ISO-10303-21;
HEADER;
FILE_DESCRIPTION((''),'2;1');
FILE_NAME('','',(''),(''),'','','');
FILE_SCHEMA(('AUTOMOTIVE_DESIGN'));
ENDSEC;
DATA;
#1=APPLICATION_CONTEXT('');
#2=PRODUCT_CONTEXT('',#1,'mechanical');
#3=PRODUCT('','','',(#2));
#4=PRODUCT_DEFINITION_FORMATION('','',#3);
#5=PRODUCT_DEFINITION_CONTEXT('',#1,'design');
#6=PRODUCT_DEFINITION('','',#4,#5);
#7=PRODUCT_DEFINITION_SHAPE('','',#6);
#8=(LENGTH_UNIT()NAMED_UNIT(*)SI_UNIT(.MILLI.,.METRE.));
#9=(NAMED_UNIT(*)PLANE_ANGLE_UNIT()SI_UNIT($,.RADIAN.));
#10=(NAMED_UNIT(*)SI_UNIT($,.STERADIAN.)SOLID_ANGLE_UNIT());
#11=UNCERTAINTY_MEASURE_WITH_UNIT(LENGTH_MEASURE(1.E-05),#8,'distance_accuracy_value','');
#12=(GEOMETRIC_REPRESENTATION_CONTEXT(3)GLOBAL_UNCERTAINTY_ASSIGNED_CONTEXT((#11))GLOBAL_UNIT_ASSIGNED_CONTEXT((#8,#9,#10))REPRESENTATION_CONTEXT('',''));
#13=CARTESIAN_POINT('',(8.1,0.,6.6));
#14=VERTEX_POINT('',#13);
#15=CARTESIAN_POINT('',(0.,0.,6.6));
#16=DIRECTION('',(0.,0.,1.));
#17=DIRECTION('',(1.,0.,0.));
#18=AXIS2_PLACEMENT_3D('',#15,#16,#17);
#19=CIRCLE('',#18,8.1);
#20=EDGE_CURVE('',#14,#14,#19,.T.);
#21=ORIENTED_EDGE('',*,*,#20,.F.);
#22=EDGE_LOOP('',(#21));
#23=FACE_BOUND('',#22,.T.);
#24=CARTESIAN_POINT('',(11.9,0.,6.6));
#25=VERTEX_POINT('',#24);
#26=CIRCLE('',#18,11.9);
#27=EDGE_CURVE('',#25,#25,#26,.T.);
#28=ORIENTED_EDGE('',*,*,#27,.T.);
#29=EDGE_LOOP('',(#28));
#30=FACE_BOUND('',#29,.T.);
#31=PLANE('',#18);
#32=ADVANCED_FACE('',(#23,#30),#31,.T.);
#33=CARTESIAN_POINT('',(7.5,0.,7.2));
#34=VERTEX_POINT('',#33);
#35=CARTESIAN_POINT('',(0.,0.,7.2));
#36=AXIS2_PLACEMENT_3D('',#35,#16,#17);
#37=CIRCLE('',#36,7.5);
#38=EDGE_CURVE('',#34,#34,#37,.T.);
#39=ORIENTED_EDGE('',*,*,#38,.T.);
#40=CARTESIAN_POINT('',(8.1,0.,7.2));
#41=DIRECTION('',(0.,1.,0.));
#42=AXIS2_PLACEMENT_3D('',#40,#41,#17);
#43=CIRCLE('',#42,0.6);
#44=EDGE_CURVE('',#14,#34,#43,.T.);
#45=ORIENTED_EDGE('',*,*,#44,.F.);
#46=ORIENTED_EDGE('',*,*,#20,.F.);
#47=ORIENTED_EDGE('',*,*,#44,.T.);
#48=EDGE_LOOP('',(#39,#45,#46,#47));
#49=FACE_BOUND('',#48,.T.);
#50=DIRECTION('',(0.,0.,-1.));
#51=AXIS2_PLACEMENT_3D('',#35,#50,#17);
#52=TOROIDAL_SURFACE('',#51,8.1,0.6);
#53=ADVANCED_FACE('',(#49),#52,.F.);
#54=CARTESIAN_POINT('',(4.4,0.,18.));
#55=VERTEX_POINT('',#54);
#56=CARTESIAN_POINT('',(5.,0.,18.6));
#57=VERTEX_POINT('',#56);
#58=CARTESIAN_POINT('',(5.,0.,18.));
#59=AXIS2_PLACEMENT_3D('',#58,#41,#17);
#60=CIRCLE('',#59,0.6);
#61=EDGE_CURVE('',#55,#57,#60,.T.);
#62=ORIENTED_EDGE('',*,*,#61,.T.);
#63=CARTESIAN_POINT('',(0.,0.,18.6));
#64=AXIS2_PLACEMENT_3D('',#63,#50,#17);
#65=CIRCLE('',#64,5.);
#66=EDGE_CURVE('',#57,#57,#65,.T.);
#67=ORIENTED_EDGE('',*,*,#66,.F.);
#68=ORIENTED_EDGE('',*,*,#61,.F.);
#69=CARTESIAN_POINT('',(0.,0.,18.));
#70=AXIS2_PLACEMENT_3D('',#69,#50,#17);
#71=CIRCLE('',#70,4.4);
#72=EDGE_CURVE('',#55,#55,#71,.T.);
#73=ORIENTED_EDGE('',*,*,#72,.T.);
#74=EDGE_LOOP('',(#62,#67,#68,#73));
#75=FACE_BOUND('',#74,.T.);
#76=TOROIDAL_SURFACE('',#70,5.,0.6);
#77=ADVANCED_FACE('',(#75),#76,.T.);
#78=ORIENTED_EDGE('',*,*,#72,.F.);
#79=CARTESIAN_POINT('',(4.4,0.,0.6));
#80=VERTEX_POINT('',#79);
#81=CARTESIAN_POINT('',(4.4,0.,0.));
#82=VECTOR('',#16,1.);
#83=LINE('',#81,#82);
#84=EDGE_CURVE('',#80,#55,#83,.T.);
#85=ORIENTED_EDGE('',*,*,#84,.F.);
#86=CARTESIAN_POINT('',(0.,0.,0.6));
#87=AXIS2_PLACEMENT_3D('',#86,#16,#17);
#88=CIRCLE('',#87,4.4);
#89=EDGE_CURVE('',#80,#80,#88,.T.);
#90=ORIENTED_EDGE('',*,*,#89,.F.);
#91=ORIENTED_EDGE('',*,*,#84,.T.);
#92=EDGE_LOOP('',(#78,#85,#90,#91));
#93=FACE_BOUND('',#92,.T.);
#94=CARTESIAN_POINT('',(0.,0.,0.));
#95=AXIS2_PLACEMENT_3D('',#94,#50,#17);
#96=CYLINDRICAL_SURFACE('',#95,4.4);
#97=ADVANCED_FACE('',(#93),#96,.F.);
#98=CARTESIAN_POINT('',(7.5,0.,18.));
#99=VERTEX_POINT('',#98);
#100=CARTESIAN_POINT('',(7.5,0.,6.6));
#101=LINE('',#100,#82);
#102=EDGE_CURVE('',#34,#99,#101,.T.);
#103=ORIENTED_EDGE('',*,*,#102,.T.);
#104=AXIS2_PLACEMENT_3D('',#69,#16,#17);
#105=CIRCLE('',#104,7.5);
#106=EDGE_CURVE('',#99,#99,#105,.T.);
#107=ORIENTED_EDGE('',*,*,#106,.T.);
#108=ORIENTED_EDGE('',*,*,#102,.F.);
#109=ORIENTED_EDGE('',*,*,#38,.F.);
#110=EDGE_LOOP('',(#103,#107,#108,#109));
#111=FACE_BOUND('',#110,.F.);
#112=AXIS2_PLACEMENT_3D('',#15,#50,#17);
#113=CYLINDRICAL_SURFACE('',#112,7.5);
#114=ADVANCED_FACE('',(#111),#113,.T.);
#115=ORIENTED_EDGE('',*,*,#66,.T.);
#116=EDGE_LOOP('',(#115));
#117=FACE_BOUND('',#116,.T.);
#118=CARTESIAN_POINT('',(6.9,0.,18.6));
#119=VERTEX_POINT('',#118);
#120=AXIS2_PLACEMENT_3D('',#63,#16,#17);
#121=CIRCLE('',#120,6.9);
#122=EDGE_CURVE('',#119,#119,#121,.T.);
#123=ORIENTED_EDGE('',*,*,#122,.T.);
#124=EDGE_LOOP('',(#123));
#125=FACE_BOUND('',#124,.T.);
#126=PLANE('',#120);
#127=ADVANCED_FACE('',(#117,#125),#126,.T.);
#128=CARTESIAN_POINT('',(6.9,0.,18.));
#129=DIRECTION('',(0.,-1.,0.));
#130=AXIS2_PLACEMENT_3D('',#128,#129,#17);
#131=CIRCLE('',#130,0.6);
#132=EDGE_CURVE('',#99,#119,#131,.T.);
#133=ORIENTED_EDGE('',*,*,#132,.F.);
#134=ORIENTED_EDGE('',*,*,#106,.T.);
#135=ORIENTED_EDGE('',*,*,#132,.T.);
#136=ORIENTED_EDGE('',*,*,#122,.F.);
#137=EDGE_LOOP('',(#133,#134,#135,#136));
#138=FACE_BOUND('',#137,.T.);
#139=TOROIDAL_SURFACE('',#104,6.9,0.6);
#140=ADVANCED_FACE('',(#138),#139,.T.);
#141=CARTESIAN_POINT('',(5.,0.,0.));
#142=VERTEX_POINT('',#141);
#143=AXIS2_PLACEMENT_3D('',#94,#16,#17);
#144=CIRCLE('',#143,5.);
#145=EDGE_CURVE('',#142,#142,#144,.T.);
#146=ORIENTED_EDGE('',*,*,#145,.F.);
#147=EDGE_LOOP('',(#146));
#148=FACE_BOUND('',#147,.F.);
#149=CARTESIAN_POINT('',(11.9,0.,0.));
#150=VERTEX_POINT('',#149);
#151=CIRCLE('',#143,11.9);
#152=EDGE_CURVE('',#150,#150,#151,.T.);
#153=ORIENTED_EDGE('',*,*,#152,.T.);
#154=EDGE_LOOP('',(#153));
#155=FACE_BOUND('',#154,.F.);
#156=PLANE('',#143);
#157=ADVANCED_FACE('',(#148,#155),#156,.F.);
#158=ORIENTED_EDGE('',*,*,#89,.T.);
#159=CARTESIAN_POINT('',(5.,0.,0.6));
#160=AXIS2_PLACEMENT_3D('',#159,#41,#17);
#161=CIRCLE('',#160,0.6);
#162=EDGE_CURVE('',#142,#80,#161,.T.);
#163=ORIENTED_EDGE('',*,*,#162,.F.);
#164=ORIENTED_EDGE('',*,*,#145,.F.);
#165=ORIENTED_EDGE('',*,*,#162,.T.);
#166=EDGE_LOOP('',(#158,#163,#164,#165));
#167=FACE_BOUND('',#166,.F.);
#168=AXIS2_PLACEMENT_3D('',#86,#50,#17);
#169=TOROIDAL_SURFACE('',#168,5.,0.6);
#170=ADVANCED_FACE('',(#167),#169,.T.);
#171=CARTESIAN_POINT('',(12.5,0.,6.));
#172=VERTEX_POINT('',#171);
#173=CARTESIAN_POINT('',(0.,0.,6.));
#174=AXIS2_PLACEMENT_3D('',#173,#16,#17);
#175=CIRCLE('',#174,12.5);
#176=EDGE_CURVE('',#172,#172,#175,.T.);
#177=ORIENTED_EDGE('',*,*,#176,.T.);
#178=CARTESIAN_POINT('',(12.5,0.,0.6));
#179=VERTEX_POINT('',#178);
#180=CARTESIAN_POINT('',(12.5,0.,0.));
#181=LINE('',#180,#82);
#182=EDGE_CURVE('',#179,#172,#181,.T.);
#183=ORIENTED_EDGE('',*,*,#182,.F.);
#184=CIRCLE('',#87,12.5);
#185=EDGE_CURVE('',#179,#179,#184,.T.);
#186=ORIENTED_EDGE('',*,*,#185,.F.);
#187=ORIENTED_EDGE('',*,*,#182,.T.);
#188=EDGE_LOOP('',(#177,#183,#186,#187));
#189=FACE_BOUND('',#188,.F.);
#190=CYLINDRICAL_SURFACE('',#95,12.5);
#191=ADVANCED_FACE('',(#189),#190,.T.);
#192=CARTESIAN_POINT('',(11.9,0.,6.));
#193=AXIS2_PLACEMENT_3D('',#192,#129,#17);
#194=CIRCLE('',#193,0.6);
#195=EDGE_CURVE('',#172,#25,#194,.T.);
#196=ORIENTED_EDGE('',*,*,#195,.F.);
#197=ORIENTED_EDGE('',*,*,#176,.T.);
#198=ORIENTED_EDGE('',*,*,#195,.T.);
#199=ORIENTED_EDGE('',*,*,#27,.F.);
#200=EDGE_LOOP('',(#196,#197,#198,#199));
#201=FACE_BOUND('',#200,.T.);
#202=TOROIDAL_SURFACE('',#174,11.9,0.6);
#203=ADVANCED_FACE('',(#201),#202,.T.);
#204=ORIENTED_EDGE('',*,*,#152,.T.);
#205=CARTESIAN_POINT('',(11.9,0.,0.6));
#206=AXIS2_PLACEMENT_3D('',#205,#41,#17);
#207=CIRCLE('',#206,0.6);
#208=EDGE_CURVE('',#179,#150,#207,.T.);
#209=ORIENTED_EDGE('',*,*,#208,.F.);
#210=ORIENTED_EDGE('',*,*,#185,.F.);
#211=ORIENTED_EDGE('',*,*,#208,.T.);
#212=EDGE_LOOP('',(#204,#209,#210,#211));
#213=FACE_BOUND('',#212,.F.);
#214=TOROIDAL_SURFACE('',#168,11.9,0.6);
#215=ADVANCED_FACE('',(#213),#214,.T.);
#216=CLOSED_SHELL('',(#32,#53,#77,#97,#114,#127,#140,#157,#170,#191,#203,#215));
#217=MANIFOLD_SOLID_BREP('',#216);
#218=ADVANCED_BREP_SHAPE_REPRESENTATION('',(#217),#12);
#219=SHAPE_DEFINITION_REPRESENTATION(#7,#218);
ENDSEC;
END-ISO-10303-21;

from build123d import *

# Parameters (mm, degrees)
F0_R     = 12.5
F1_DEPTH = 6.6
F2_R     = 7.5
F3_DEPTH = 12
F4_R     = 4.4
F5_DEPTH = 18.601
F6_R     = 0.6


with BuildPart() as f1:
    # F0 (on Top) → F1 (new body)
    with BuildSketch(Plane.XY):
        Circle(F0_R)
    extrude(amount=F1_DEPTH)

    # F2 (on face) → F3 (join)
    with BuildSketch(Plane.XY.offset(6.6)):
        Circle(F2_R)
    extrude(amount=F3_DEPTH)

    # F4 (on Top) → F5 (cut, through all)
    with BuildSketch(Plane.XY):
        Circle(F4_R)
    extrude(amount=F5_DEPTH, mode=Mode.SUBTRACT)

    # F6
    f6_edges = [f1.edges().sort_by_distance(p)[0] for p in [
        (-4.4, 0, 18.6),
        (-7.5, 0, 18.6),
        (-7.5, 0, 6.6),
        (12.5, 0, 3.3),
        (-12.5, 0, 0),
        (-12.5, 0, 6.6),
        (-4.4, 0, 0),
    ]]
    fillet(f6_edges, radius=F6_R)


solid = f1.part
